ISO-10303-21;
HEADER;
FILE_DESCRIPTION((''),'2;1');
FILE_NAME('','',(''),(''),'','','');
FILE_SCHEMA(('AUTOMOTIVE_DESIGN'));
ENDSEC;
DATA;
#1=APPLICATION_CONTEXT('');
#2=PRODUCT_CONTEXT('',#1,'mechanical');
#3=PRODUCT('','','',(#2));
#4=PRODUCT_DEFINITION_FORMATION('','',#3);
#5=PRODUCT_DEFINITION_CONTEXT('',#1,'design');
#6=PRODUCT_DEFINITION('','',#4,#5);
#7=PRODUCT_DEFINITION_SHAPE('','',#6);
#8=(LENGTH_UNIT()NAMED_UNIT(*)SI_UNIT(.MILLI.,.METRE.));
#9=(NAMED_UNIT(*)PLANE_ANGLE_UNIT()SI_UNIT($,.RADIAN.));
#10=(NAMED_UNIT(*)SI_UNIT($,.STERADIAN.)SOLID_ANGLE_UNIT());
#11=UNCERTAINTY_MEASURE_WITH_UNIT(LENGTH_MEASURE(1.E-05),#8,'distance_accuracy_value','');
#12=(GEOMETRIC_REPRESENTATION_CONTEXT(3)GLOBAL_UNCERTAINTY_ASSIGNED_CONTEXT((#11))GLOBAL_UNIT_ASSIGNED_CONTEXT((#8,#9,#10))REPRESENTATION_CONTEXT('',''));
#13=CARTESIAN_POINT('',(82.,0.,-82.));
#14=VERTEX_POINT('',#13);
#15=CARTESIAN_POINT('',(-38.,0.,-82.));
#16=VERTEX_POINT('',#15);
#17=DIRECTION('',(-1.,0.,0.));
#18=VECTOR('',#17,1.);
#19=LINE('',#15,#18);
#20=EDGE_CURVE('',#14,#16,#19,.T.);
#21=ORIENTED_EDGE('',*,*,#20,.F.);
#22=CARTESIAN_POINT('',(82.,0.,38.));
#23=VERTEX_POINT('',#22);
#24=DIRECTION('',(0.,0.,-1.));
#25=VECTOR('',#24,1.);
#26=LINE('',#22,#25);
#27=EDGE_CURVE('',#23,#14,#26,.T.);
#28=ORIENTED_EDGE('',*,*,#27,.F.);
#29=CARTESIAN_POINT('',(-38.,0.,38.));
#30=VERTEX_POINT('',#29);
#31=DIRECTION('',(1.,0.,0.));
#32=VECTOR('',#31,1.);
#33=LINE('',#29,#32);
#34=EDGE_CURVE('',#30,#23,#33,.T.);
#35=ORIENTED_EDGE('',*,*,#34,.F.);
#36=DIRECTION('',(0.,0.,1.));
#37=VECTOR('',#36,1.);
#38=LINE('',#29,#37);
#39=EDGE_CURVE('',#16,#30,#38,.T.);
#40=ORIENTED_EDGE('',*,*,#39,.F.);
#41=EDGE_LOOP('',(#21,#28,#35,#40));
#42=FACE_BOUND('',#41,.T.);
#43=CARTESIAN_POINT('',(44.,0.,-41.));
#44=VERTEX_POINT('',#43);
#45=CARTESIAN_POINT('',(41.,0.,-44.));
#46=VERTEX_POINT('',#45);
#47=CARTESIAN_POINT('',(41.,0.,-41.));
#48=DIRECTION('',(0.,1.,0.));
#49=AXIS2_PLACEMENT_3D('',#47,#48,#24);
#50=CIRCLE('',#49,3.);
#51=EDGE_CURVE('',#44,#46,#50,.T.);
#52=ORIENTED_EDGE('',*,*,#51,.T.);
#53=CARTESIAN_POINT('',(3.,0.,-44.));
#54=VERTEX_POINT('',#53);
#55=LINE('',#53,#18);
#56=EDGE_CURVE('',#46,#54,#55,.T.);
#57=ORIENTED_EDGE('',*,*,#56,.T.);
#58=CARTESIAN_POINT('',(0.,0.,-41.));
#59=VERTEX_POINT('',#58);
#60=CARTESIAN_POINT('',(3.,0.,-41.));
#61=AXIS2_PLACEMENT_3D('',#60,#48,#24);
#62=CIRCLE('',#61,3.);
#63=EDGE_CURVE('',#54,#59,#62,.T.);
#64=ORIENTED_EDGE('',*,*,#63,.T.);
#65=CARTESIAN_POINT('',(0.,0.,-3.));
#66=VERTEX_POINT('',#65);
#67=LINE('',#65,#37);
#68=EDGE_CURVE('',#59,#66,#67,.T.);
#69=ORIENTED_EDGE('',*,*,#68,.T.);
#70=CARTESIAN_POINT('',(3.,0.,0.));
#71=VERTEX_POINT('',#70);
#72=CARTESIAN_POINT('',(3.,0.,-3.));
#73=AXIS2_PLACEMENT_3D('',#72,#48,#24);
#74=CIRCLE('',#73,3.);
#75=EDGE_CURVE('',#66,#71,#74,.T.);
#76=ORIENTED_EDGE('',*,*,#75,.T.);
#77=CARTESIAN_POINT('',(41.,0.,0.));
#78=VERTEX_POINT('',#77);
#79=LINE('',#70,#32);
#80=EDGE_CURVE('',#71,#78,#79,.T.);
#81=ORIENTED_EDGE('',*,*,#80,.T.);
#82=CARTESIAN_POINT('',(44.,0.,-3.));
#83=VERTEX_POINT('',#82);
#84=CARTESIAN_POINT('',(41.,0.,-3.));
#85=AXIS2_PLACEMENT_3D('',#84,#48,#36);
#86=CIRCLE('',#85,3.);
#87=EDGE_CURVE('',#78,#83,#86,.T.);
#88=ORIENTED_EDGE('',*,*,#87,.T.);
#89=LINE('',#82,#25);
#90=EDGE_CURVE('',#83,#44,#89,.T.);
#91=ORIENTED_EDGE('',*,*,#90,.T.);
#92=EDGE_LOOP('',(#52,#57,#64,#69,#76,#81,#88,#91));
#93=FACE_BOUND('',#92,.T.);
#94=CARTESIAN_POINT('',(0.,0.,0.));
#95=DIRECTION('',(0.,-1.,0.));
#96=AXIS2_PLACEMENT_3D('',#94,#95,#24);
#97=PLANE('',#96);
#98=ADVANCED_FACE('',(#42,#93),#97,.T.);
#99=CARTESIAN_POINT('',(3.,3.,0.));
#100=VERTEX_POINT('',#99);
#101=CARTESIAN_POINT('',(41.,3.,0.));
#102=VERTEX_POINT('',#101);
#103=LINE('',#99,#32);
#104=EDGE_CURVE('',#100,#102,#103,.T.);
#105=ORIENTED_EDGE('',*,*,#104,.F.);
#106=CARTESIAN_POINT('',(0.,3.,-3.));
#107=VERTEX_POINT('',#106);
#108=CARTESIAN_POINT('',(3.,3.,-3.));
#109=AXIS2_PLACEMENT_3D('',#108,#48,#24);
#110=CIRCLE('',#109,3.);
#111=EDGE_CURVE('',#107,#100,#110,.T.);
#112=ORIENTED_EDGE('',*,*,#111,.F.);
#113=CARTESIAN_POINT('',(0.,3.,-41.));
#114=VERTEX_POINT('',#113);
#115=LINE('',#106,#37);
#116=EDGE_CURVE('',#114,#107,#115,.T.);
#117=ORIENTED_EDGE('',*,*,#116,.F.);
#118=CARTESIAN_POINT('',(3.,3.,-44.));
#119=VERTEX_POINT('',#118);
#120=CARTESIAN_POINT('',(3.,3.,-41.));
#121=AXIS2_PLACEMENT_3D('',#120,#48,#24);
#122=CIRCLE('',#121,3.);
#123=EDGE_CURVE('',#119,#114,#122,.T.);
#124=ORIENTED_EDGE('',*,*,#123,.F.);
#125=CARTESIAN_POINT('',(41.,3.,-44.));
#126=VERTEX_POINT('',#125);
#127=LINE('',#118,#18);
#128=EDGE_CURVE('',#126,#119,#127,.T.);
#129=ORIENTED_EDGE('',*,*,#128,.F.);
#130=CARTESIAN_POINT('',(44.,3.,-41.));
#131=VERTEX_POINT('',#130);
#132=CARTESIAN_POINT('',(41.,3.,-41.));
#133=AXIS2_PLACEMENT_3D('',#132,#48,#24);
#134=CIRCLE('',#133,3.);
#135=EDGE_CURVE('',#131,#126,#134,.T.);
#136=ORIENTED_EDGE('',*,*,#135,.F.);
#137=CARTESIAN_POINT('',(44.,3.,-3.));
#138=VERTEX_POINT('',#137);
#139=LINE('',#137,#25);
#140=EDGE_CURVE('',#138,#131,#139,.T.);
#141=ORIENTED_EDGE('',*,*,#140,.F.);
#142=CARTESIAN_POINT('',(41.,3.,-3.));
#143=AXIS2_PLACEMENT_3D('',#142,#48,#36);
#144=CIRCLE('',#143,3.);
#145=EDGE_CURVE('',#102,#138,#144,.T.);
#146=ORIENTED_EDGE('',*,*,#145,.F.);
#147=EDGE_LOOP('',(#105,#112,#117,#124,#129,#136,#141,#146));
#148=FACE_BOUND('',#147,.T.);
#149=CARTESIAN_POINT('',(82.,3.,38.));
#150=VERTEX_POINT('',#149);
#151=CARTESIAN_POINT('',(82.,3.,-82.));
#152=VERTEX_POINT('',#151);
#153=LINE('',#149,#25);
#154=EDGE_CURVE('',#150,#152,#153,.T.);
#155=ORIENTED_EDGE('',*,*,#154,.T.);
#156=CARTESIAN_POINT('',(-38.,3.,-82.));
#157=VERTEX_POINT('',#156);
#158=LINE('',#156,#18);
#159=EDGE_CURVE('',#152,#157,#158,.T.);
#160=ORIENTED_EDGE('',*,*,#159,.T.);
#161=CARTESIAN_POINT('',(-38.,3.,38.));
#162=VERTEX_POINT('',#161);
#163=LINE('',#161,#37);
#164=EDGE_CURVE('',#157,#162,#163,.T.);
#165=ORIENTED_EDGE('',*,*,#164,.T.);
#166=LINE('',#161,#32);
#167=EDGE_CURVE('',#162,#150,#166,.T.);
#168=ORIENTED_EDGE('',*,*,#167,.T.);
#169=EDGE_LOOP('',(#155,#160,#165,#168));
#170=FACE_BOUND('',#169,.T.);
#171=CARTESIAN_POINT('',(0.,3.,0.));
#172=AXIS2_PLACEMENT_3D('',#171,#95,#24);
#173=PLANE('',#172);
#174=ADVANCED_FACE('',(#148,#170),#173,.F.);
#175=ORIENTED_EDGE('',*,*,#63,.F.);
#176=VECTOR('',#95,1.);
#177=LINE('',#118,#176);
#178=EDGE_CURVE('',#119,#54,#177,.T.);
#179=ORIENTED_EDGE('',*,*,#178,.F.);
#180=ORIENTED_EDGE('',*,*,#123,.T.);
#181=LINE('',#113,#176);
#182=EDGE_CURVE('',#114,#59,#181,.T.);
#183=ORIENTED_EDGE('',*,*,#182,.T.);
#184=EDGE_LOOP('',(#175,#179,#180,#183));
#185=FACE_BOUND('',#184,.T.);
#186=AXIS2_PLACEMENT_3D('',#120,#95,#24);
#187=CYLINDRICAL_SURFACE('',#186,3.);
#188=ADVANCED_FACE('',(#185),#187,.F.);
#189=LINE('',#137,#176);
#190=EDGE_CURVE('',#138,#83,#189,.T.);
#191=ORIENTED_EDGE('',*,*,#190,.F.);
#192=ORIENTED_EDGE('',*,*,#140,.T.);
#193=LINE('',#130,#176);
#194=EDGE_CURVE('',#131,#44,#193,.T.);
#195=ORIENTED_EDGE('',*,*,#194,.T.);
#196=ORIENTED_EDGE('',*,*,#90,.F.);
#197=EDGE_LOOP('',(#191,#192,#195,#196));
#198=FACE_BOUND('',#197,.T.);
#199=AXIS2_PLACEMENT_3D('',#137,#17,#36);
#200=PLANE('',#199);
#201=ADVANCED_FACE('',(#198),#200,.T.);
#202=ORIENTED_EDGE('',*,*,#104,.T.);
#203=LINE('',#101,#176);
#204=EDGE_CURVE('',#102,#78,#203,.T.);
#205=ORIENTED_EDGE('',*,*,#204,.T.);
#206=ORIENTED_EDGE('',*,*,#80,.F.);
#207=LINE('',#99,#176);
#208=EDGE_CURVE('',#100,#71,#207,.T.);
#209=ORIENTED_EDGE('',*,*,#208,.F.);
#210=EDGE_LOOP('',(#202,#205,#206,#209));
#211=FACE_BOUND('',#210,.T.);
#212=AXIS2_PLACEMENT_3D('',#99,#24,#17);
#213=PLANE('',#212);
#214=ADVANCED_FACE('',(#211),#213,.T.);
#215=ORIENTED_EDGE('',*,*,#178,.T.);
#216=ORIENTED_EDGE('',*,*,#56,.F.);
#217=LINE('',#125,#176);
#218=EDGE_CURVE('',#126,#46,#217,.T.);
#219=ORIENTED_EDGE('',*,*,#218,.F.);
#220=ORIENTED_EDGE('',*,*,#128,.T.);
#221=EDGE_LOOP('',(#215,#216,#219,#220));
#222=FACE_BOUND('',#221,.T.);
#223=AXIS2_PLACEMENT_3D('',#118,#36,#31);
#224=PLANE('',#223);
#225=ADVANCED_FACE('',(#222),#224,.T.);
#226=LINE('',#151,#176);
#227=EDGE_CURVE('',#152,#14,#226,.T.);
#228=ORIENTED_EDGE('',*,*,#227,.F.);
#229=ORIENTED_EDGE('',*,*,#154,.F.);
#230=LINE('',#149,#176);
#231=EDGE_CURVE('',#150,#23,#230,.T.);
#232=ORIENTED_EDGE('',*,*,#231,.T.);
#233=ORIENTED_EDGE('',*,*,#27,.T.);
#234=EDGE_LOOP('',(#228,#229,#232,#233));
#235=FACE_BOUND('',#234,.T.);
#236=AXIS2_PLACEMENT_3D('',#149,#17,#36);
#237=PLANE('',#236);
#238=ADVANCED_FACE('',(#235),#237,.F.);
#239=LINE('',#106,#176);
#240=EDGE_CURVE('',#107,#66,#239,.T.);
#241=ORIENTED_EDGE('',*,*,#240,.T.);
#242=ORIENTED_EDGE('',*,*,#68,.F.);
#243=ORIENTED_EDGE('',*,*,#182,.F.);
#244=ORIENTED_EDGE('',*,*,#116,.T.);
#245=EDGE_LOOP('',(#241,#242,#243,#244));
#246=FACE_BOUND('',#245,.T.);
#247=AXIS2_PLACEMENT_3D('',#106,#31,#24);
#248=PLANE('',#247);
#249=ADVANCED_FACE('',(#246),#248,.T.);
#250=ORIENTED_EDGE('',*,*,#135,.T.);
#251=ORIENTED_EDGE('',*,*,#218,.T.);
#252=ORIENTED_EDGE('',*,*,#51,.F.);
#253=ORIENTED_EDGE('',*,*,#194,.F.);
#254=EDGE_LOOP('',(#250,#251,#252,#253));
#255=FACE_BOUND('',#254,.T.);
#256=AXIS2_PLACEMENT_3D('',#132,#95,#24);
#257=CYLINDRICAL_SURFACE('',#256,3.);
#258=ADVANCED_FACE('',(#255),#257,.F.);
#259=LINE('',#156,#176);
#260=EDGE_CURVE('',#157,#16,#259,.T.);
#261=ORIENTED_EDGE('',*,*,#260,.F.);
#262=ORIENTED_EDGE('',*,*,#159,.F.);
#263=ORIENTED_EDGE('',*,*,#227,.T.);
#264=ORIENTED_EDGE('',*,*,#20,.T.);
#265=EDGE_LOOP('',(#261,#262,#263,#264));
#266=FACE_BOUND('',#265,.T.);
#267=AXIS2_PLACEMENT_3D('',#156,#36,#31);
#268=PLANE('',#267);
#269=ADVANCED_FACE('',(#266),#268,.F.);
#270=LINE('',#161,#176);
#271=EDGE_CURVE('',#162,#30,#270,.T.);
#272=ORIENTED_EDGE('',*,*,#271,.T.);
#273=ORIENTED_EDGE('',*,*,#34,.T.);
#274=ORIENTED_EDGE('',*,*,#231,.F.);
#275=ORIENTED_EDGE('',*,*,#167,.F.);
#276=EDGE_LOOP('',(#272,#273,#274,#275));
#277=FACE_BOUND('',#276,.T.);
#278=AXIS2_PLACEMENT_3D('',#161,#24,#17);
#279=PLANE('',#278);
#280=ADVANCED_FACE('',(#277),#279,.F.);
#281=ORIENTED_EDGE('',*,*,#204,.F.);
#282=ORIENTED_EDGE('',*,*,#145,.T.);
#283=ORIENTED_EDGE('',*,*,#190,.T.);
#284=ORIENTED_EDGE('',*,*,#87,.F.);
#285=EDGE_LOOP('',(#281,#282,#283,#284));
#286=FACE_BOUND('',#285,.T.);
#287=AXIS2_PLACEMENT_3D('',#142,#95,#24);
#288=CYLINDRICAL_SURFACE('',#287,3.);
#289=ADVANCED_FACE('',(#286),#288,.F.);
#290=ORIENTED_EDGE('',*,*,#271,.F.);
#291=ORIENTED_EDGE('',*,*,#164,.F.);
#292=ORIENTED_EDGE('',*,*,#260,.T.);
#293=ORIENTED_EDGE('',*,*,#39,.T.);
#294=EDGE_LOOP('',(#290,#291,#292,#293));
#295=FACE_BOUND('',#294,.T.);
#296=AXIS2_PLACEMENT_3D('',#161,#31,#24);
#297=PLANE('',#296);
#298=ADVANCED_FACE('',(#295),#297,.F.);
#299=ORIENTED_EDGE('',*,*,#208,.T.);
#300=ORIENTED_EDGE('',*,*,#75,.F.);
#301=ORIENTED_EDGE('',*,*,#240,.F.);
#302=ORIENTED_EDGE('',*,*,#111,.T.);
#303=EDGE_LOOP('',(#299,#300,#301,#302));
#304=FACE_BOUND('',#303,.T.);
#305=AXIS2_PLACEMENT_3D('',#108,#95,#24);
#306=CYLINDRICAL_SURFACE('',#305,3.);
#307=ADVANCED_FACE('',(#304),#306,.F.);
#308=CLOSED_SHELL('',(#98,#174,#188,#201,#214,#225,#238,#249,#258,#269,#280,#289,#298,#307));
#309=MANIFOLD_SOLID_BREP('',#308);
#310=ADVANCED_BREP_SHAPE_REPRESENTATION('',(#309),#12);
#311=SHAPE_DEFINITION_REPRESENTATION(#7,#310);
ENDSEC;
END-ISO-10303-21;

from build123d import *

# Parameters (mm, degrees)
SKETCH1_W           = 120
SKETCH1_H           = 120
BOSS_EXTRUDE1_DEPTH = 3


with BuildPart() as part:
    # Sketch1 → Boss-Extrude1 (new body)
    with BuildSketch(Plane(origin=(0, 0, 0), x_dir=(1, 0, 0), z_dir=(0, 1, 0))):
        with Locations((22, 22)):
            Rectangle(SKETCH1_W, SKETCH1_H)
        with BuildLine():
            Line((3, 0), (41, 0))
            ThreePointArc((41, 0), (43.121320344, 0.878679656), (44, 3))
            Line((44, 3), (44, 41))
            ThreePointArc((44, 41), (43.121320344, 43.121320344), (41, 44))
            Line((41, 44), (3, 44))
            ThreePointArc((3, 44), (0.878679656, 43.121320344), (0, 41))
            Line((0, 41), (0, 3))
            ThreePointArc((0, 3), (0.878679656, 0.878679656), (3, 0))
        make_face(mode=Mode.SUBTRACT)
    extrude(amount=BOSS_EXTRUDE1_DEPTH)


solid = part.part
